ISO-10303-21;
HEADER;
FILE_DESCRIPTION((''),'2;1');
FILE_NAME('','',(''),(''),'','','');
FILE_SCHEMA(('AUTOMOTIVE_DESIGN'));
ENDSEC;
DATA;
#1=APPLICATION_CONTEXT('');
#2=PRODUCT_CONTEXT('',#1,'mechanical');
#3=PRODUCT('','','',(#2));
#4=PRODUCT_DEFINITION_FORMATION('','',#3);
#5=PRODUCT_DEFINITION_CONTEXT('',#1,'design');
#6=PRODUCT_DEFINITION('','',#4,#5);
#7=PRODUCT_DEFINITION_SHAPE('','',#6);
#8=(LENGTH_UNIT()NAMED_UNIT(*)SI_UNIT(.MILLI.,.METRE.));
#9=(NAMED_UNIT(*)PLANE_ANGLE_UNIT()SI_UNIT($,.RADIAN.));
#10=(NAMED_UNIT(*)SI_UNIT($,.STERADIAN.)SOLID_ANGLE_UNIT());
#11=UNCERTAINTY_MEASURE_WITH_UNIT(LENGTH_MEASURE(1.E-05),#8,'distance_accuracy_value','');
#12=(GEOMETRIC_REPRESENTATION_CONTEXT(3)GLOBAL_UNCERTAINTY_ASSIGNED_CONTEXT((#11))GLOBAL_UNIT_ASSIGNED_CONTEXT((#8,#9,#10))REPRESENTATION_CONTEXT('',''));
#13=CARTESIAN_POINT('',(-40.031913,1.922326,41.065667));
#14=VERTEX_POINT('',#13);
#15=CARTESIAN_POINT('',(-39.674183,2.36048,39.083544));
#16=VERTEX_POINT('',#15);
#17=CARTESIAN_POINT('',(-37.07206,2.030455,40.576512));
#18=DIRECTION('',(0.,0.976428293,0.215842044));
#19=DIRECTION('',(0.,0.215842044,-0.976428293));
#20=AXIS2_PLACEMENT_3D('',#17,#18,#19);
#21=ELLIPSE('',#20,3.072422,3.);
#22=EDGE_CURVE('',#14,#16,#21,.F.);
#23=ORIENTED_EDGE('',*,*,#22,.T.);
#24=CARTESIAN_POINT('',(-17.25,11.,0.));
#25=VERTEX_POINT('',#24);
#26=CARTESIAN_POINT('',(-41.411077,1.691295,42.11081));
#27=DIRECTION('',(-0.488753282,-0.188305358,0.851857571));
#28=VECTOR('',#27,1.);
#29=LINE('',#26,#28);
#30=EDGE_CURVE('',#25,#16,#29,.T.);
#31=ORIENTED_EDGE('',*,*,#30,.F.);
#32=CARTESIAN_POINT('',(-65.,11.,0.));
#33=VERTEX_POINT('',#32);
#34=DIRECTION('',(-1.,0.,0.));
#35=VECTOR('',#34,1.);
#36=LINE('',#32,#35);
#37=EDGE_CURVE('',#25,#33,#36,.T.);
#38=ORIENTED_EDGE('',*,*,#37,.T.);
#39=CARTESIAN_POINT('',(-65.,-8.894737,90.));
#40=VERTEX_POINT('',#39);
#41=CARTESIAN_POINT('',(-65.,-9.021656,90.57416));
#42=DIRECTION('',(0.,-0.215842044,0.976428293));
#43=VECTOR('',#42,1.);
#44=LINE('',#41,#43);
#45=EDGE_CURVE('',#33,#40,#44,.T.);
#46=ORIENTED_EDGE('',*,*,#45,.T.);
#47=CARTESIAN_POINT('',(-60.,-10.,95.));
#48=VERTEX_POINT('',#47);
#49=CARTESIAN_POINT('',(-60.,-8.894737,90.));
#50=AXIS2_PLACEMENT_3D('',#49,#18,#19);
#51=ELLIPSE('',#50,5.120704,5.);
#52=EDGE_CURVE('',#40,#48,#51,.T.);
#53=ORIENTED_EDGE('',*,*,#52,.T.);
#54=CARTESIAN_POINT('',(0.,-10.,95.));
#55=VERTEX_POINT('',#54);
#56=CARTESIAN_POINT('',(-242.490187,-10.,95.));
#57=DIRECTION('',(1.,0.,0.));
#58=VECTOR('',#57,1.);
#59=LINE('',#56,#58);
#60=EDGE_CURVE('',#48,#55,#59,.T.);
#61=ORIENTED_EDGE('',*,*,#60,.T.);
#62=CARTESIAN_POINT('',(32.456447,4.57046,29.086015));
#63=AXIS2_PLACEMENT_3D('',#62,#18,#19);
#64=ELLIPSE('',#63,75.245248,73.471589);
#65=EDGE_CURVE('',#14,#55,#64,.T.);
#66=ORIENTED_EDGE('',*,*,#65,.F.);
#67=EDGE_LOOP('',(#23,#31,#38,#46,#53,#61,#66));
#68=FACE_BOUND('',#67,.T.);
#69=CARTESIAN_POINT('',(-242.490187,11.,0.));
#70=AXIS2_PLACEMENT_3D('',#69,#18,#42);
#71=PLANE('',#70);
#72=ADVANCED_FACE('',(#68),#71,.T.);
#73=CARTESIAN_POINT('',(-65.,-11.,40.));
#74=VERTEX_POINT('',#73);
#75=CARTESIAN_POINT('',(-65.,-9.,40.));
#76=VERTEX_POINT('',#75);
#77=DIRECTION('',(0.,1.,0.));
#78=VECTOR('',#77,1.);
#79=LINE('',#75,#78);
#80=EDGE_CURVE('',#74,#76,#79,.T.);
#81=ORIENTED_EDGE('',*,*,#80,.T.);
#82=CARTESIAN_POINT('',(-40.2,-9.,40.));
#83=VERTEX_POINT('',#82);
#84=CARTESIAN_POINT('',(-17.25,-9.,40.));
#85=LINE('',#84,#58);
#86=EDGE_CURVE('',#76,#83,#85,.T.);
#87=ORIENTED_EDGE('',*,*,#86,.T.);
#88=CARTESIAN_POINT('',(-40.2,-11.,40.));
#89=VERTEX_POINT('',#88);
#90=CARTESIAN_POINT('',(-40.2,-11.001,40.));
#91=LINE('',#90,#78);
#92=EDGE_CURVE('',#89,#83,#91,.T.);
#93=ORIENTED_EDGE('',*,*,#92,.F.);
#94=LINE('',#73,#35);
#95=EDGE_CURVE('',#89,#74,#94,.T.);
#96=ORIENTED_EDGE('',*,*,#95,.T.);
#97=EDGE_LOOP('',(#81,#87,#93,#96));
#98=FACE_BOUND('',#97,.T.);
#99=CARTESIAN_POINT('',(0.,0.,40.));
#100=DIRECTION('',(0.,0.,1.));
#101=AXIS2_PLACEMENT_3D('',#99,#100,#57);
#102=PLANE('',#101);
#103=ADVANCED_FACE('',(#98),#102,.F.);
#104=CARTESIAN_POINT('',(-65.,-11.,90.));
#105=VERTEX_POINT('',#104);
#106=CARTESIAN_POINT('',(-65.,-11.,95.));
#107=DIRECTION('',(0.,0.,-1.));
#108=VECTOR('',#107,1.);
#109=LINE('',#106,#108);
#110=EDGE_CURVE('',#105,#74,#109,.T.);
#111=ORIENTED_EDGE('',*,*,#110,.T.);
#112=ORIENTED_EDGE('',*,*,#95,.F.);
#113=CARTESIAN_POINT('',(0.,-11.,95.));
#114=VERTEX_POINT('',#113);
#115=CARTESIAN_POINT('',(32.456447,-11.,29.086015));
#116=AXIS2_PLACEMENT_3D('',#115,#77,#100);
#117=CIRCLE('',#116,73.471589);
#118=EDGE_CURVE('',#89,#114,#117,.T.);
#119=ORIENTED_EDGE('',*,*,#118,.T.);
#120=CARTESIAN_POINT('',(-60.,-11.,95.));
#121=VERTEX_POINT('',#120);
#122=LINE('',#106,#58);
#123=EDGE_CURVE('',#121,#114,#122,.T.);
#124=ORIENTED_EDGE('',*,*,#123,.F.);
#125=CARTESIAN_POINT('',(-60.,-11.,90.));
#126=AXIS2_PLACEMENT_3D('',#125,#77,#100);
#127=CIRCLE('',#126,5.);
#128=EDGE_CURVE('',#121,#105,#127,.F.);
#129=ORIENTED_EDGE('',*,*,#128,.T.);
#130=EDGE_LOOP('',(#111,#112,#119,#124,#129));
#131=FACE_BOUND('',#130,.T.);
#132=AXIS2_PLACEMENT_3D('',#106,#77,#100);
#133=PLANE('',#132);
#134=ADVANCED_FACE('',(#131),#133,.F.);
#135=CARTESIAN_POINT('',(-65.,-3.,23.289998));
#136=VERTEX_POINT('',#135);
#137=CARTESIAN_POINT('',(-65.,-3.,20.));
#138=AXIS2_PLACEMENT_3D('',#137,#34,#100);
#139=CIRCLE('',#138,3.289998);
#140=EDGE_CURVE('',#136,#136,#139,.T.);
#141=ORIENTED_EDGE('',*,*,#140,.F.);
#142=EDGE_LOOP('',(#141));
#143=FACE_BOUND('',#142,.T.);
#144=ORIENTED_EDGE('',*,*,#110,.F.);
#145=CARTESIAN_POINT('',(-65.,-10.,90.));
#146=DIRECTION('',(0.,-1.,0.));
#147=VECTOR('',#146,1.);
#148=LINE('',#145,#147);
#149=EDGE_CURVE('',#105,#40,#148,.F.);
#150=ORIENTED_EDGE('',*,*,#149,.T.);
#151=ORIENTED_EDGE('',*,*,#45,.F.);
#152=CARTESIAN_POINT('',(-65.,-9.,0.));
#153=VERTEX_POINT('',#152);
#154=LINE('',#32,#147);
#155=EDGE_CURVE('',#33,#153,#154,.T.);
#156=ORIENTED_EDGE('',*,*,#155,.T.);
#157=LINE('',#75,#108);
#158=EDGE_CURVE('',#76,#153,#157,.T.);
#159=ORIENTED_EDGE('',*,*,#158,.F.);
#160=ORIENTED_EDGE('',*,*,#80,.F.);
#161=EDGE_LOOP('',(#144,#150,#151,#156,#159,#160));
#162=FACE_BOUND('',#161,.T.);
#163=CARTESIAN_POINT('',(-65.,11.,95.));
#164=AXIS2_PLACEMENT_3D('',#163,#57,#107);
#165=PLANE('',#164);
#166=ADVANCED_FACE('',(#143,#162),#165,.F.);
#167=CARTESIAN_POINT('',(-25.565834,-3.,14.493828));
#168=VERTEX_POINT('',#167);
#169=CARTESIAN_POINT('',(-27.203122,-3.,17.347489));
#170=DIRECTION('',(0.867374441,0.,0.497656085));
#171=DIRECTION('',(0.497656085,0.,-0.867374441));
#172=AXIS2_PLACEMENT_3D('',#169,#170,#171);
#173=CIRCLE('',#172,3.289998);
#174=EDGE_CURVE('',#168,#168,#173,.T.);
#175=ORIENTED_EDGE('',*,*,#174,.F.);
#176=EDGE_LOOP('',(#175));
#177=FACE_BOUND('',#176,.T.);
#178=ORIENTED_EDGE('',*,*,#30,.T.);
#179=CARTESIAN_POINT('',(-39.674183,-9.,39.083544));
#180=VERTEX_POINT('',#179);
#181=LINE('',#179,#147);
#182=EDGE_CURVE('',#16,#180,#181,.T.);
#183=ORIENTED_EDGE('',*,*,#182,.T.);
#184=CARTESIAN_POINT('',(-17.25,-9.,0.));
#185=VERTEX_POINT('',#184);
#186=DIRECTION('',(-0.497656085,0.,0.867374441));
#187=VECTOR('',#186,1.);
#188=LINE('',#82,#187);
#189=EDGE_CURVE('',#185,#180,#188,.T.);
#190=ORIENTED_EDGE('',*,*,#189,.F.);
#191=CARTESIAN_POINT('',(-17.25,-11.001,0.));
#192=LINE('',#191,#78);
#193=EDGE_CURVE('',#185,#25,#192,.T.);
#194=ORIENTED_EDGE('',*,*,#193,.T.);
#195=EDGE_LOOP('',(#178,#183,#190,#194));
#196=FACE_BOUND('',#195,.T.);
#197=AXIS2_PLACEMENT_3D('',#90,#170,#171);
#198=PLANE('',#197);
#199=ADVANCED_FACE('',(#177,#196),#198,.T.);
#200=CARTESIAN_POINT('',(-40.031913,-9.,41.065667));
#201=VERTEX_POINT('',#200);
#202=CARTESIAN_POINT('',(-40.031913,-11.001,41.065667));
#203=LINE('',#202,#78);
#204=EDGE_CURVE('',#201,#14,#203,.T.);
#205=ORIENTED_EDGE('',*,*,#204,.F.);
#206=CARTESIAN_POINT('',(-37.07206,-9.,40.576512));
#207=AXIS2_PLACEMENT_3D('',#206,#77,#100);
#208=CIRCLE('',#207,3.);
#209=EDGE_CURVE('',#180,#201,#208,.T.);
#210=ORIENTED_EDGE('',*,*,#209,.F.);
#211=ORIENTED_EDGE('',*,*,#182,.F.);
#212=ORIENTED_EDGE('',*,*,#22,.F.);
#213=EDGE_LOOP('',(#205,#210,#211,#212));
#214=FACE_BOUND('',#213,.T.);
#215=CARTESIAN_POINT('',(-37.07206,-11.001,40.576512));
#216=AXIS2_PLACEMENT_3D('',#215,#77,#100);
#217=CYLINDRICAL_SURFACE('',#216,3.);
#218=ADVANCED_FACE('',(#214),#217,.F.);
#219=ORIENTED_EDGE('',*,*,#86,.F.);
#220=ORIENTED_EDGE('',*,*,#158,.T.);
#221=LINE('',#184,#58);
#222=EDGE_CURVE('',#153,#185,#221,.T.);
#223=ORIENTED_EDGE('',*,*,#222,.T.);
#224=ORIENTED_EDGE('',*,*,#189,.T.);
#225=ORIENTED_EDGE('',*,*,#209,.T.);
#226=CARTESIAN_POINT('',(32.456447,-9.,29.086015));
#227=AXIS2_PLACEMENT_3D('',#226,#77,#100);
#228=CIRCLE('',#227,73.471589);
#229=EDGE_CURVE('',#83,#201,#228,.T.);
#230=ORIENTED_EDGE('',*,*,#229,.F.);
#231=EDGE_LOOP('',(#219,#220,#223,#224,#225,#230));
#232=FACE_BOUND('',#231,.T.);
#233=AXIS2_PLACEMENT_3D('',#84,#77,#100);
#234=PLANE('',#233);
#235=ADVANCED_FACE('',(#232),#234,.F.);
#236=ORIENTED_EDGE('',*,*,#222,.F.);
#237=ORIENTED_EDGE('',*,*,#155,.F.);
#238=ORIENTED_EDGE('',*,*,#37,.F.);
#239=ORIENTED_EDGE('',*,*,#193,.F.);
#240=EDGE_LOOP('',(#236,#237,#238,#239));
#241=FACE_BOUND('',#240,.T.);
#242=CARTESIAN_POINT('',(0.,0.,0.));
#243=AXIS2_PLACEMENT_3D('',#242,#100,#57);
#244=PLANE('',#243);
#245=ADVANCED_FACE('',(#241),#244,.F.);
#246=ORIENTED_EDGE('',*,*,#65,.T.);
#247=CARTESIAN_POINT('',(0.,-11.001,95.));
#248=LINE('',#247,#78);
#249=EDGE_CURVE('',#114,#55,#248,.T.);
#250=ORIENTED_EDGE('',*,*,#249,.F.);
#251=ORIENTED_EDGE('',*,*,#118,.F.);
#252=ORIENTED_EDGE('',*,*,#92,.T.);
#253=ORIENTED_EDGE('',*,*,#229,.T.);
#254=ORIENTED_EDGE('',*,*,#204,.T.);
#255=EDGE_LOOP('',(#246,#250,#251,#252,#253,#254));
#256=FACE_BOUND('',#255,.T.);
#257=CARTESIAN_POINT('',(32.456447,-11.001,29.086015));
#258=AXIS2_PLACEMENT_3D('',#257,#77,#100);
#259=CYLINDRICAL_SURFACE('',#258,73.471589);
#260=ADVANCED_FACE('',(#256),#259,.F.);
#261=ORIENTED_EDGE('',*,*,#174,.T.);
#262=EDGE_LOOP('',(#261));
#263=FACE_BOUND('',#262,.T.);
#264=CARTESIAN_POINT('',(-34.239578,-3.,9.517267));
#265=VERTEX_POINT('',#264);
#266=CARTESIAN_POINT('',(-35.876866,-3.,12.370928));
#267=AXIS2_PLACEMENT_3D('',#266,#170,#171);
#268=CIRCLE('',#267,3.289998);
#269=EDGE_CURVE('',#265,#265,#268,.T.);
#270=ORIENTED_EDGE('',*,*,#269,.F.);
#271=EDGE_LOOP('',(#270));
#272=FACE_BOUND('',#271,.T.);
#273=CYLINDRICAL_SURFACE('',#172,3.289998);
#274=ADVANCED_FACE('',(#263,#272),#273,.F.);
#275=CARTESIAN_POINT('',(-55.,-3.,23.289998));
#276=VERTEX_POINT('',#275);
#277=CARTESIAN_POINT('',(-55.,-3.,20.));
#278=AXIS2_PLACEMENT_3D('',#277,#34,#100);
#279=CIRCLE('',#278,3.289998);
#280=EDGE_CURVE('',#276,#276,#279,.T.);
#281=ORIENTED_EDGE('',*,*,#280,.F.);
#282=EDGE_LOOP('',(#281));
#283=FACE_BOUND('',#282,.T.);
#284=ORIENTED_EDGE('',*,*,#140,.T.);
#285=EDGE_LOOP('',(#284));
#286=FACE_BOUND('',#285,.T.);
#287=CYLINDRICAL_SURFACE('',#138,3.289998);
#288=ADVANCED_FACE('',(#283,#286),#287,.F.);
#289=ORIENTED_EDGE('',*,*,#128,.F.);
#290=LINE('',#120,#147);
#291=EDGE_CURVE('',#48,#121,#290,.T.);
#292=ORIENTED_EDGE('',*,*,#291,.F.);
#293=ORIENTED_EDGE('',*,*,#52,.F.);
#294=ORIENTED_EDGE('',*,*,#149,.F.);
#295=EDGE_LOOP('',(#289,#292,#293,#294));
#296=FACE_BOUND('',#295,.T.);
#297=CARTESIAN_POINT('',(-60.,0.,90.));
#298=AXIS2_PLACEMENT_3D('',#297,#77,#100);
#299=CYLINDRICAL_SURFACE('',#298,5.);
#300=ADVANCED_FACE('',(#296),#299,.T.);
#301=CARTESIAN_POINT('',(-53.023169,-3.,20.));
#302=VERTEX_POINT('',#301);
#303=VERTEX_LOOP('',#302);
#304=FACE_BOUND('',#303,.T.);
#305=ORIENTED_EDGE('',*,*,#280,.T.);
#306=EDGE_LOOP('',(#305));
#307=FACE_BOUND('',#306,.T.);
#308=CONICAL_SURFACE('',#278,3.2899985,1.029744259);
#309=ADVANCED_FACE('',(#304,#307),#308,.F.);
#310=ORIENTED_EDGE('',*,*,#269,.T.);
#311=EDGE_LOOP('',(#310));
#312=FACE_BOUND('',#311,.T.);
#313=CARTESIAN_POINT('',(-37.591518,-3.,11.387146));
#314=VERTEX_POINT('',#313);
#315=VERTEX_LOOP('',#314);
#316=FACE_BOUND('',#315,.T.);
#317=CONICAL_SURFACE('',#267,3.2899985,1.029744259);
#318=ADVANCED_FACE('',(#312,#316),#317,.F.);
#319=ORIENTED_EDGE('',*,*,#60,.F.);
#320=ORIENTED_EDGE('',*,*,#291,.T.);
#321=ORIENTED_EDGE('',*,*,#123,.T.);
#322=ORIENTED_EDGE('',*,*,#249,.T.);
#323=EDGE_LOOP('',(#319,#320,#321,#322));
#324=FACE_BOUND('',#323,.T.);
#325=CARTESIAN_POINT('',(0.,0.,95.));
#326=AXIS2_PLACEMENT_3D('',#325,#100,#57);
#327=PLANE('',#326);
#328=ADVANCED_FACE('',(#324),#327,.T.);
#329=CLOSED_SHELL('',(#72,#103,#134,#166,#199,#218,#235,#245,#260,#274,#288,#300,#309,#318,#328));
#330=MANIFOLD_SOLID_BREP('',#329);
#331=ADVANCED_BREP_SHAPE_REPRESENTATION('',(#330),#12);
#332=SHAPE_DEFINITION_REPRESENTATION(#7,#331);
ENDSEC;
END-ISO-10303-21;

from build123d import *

# Parameters (mm, degrees)
ESBO_O1_W                                      = 130
ESBO_O1_H                                      = 22
RESSALTO_EXTRUS_O1_DEPTH                       = 95
CORTE_EXTRUS_O2_REACH                          = 24
CORTE_EXTRUS_O4_DEPTH                          = 1
CORTE_EXTRUS_O4_DEPTH_BACK                     = 66
BROCA_DE_ROSQUEAR_DE_CANO_PARA_TARRAXA_D_D     = 6.579997
BROCA_DE_ROSQUEAR_DE_CANO_PARA_TARRAXA_D_DEPTH = 10
BROCA_DE_ROSQUEAR_DE_CANO_PARA_TARRAXA_D_TIP   = 1.976830535
BROCA_DE_ROSQUEAR_DE_CANO_PARA_TARRA_2_D       = 6.579997
BROCA_DE_ROSQUEAR_DE_CANO_PARA_TARRA_2_DEPTH   = 10
BROCA_DE_ROSQUEAR_DE_CANO_PARA_TARRA_2_TIP     = 1.976830535
FILETE2_R                                      = 5
ESBO_O38_W                                     = 47.75
ESBO_O38_H                                     = 2
CORTE_EXTRUS_O9_DEPTH                          = 40
FILETE3_R                                      = 3


with BuildPart() as part:
    # Esboço1 → Ressalto-extrusão1 (new body)
    with BuildSketch(Plane.XY):
        Rectangle(ESBO_O1_W, ESBO_O1_H)
    extrude(amount=RESSALTO_EXTRUS_O1_DEPTH)

    # Esboço2 → Corte-extrusão2 (cut, up to next)
    with BuildSketch(Plane(origin=(0, 11, 0), x_dir=(1, 0, 0), z_dir=(0, 1, 0)), mode=Mode.PRIVATE) as corte_extrus_o2_sk1:
        with BuildLine():
            Line((65, 0), (-17.25, 0))
            Line((-17.25, 0), (-40.2, -40))
            ThreePointArc((-40.2, -40), (-26.859909281, -72.440879147), (0, -95))
            Line((0, -95), (65, -95))
            Line((65, -95), (65, 0))
        make_face()
    corte_extrus_o2_tool1 = extrude(corte_extrus_o2_sk1.sketch, amount=-CORTE_EXTRUS_O2_REACH, mode=Mode.PRIVATE) & part.part
    add(corte_extrus_o2_tool1.solids().sort_by_distance((18.11962, 11, 46.581028))[0], mode=Mode.SUBTRACT)

    # Esboço13 → Corte-extrusão4 (cut, two sides)
    with BuildSketch(Plane.ZY.offset(65)) as corte_extrus_o4_sk:
        Polygon((-200.195338438, 55.253706392), (0, 11), (95, -10), (295.195338438, -54.253706392), (383.702751221, 346.136970485), (-111.687925655, 455.644383268), align=None)
    extrude(amount=CORTE_EXTRUS_O4_DEPTH, mode=Mode.SUBTRACT)
    extrude(corte_extrus_o4_sk.sketch, amount=-CORTE_EXTRUS_O4_DEPTH_BACK, mode=Mode.SUBTRACT)

    # Broca de rosquear de cano para tarraxa d
    with Locations(Plane.ZY.offset(65)):
        with Locations((20, -3)):
            Hole(BROCA_DE_ROSQUEAR_DE_CANO_PARA_TARRAXA_D_D / 2, depth=BROCA_DE_ROSQUEAR_DE_CANO_PARA_TARRAXA_D_DEPTH)
            with Locations((0, 0, -(BROCA_DE_ROSQUEAR_DE_CANO_PARA_TARRAXA_D_DEPTH + BROCA_DE_ROSQUEAR_DE_CANO_PARA_TARRAXA_D_TIP / 2))):  # 118° drill point
                Cone(0, BROCA_DE_ROSQUEAR_DE_CANO_PARA_TARRAXA_D_D / 2, BROCA_DE_ROSQUEAR_DE_CANO_PARA_TARRAXA_D_TIP, mode=Mode.SUBTRACT)

    # Broca de rosquear de cano para tarra 2
    with Locations(Plane(origin=(-12.977837756, 0, -7.446034412), x_dir=(0.497656085, 0, -0.867374441), z_dir=(0.867374441, 0, 0.497656085))):
        with Locations((-28.584567474, -3)):
            Hole(BROCA_DE_ROSQUEAR_DE_CANO_PARA_TARRA_2_D / 2, depth=BROCA_DE_ROSQUEAR_DE_CANO_PARA_TARRA_2_DEPTH)
            with Locations((0, 0, -(BROCA_DE_ROSQUEAR_DE_CANO_PARA_TARRA_2_DEPTH + BROCA_DE_ROSQUEAR_DE_CANO_PARA_TARRA_2_TIP / 2))):  # 118° drill point
                Cone(0, BROCA_DE_ROSQUEAR_DE_CANO_PARA_TARRA_2_D / 2, BROCA_DE_ROSQUEAR_DE_CANO_PARA_TARRA_2_TIP, mode=Mode.SUBTRACT)

    # Filete2
    filete2_edges = [part.edges().sort_by_distance(p)[0] for p in [
        (-65, -10.5, 95),
    ]]
    fillet(filete2_edges, radius=FILETE2_R)

    # Esboço38 → Corte-extrusão9 (cut)
    with BuildSketch(Plane(origin=(0, 0, 0), x_dir=(-1, 0, 0), z_dir=(0, 0, -1))):
        with Locations((41.125, -10)):
            Rectangle(ESBO_O38_W, ESBO_O38_H)
    extrude(amount=-CORTE_EXTRUS_O9_DEPTH, mode=Mode.SUBTRACT)

    # Filete3
    filete3_edges = [part.edges().sort_by_distance(p)[0] for p in [
        (-40.2, -3.421052632, 40),
    ]]
    fillet(filete3_edges, radius=FILETE3_R)


solid = part.part
